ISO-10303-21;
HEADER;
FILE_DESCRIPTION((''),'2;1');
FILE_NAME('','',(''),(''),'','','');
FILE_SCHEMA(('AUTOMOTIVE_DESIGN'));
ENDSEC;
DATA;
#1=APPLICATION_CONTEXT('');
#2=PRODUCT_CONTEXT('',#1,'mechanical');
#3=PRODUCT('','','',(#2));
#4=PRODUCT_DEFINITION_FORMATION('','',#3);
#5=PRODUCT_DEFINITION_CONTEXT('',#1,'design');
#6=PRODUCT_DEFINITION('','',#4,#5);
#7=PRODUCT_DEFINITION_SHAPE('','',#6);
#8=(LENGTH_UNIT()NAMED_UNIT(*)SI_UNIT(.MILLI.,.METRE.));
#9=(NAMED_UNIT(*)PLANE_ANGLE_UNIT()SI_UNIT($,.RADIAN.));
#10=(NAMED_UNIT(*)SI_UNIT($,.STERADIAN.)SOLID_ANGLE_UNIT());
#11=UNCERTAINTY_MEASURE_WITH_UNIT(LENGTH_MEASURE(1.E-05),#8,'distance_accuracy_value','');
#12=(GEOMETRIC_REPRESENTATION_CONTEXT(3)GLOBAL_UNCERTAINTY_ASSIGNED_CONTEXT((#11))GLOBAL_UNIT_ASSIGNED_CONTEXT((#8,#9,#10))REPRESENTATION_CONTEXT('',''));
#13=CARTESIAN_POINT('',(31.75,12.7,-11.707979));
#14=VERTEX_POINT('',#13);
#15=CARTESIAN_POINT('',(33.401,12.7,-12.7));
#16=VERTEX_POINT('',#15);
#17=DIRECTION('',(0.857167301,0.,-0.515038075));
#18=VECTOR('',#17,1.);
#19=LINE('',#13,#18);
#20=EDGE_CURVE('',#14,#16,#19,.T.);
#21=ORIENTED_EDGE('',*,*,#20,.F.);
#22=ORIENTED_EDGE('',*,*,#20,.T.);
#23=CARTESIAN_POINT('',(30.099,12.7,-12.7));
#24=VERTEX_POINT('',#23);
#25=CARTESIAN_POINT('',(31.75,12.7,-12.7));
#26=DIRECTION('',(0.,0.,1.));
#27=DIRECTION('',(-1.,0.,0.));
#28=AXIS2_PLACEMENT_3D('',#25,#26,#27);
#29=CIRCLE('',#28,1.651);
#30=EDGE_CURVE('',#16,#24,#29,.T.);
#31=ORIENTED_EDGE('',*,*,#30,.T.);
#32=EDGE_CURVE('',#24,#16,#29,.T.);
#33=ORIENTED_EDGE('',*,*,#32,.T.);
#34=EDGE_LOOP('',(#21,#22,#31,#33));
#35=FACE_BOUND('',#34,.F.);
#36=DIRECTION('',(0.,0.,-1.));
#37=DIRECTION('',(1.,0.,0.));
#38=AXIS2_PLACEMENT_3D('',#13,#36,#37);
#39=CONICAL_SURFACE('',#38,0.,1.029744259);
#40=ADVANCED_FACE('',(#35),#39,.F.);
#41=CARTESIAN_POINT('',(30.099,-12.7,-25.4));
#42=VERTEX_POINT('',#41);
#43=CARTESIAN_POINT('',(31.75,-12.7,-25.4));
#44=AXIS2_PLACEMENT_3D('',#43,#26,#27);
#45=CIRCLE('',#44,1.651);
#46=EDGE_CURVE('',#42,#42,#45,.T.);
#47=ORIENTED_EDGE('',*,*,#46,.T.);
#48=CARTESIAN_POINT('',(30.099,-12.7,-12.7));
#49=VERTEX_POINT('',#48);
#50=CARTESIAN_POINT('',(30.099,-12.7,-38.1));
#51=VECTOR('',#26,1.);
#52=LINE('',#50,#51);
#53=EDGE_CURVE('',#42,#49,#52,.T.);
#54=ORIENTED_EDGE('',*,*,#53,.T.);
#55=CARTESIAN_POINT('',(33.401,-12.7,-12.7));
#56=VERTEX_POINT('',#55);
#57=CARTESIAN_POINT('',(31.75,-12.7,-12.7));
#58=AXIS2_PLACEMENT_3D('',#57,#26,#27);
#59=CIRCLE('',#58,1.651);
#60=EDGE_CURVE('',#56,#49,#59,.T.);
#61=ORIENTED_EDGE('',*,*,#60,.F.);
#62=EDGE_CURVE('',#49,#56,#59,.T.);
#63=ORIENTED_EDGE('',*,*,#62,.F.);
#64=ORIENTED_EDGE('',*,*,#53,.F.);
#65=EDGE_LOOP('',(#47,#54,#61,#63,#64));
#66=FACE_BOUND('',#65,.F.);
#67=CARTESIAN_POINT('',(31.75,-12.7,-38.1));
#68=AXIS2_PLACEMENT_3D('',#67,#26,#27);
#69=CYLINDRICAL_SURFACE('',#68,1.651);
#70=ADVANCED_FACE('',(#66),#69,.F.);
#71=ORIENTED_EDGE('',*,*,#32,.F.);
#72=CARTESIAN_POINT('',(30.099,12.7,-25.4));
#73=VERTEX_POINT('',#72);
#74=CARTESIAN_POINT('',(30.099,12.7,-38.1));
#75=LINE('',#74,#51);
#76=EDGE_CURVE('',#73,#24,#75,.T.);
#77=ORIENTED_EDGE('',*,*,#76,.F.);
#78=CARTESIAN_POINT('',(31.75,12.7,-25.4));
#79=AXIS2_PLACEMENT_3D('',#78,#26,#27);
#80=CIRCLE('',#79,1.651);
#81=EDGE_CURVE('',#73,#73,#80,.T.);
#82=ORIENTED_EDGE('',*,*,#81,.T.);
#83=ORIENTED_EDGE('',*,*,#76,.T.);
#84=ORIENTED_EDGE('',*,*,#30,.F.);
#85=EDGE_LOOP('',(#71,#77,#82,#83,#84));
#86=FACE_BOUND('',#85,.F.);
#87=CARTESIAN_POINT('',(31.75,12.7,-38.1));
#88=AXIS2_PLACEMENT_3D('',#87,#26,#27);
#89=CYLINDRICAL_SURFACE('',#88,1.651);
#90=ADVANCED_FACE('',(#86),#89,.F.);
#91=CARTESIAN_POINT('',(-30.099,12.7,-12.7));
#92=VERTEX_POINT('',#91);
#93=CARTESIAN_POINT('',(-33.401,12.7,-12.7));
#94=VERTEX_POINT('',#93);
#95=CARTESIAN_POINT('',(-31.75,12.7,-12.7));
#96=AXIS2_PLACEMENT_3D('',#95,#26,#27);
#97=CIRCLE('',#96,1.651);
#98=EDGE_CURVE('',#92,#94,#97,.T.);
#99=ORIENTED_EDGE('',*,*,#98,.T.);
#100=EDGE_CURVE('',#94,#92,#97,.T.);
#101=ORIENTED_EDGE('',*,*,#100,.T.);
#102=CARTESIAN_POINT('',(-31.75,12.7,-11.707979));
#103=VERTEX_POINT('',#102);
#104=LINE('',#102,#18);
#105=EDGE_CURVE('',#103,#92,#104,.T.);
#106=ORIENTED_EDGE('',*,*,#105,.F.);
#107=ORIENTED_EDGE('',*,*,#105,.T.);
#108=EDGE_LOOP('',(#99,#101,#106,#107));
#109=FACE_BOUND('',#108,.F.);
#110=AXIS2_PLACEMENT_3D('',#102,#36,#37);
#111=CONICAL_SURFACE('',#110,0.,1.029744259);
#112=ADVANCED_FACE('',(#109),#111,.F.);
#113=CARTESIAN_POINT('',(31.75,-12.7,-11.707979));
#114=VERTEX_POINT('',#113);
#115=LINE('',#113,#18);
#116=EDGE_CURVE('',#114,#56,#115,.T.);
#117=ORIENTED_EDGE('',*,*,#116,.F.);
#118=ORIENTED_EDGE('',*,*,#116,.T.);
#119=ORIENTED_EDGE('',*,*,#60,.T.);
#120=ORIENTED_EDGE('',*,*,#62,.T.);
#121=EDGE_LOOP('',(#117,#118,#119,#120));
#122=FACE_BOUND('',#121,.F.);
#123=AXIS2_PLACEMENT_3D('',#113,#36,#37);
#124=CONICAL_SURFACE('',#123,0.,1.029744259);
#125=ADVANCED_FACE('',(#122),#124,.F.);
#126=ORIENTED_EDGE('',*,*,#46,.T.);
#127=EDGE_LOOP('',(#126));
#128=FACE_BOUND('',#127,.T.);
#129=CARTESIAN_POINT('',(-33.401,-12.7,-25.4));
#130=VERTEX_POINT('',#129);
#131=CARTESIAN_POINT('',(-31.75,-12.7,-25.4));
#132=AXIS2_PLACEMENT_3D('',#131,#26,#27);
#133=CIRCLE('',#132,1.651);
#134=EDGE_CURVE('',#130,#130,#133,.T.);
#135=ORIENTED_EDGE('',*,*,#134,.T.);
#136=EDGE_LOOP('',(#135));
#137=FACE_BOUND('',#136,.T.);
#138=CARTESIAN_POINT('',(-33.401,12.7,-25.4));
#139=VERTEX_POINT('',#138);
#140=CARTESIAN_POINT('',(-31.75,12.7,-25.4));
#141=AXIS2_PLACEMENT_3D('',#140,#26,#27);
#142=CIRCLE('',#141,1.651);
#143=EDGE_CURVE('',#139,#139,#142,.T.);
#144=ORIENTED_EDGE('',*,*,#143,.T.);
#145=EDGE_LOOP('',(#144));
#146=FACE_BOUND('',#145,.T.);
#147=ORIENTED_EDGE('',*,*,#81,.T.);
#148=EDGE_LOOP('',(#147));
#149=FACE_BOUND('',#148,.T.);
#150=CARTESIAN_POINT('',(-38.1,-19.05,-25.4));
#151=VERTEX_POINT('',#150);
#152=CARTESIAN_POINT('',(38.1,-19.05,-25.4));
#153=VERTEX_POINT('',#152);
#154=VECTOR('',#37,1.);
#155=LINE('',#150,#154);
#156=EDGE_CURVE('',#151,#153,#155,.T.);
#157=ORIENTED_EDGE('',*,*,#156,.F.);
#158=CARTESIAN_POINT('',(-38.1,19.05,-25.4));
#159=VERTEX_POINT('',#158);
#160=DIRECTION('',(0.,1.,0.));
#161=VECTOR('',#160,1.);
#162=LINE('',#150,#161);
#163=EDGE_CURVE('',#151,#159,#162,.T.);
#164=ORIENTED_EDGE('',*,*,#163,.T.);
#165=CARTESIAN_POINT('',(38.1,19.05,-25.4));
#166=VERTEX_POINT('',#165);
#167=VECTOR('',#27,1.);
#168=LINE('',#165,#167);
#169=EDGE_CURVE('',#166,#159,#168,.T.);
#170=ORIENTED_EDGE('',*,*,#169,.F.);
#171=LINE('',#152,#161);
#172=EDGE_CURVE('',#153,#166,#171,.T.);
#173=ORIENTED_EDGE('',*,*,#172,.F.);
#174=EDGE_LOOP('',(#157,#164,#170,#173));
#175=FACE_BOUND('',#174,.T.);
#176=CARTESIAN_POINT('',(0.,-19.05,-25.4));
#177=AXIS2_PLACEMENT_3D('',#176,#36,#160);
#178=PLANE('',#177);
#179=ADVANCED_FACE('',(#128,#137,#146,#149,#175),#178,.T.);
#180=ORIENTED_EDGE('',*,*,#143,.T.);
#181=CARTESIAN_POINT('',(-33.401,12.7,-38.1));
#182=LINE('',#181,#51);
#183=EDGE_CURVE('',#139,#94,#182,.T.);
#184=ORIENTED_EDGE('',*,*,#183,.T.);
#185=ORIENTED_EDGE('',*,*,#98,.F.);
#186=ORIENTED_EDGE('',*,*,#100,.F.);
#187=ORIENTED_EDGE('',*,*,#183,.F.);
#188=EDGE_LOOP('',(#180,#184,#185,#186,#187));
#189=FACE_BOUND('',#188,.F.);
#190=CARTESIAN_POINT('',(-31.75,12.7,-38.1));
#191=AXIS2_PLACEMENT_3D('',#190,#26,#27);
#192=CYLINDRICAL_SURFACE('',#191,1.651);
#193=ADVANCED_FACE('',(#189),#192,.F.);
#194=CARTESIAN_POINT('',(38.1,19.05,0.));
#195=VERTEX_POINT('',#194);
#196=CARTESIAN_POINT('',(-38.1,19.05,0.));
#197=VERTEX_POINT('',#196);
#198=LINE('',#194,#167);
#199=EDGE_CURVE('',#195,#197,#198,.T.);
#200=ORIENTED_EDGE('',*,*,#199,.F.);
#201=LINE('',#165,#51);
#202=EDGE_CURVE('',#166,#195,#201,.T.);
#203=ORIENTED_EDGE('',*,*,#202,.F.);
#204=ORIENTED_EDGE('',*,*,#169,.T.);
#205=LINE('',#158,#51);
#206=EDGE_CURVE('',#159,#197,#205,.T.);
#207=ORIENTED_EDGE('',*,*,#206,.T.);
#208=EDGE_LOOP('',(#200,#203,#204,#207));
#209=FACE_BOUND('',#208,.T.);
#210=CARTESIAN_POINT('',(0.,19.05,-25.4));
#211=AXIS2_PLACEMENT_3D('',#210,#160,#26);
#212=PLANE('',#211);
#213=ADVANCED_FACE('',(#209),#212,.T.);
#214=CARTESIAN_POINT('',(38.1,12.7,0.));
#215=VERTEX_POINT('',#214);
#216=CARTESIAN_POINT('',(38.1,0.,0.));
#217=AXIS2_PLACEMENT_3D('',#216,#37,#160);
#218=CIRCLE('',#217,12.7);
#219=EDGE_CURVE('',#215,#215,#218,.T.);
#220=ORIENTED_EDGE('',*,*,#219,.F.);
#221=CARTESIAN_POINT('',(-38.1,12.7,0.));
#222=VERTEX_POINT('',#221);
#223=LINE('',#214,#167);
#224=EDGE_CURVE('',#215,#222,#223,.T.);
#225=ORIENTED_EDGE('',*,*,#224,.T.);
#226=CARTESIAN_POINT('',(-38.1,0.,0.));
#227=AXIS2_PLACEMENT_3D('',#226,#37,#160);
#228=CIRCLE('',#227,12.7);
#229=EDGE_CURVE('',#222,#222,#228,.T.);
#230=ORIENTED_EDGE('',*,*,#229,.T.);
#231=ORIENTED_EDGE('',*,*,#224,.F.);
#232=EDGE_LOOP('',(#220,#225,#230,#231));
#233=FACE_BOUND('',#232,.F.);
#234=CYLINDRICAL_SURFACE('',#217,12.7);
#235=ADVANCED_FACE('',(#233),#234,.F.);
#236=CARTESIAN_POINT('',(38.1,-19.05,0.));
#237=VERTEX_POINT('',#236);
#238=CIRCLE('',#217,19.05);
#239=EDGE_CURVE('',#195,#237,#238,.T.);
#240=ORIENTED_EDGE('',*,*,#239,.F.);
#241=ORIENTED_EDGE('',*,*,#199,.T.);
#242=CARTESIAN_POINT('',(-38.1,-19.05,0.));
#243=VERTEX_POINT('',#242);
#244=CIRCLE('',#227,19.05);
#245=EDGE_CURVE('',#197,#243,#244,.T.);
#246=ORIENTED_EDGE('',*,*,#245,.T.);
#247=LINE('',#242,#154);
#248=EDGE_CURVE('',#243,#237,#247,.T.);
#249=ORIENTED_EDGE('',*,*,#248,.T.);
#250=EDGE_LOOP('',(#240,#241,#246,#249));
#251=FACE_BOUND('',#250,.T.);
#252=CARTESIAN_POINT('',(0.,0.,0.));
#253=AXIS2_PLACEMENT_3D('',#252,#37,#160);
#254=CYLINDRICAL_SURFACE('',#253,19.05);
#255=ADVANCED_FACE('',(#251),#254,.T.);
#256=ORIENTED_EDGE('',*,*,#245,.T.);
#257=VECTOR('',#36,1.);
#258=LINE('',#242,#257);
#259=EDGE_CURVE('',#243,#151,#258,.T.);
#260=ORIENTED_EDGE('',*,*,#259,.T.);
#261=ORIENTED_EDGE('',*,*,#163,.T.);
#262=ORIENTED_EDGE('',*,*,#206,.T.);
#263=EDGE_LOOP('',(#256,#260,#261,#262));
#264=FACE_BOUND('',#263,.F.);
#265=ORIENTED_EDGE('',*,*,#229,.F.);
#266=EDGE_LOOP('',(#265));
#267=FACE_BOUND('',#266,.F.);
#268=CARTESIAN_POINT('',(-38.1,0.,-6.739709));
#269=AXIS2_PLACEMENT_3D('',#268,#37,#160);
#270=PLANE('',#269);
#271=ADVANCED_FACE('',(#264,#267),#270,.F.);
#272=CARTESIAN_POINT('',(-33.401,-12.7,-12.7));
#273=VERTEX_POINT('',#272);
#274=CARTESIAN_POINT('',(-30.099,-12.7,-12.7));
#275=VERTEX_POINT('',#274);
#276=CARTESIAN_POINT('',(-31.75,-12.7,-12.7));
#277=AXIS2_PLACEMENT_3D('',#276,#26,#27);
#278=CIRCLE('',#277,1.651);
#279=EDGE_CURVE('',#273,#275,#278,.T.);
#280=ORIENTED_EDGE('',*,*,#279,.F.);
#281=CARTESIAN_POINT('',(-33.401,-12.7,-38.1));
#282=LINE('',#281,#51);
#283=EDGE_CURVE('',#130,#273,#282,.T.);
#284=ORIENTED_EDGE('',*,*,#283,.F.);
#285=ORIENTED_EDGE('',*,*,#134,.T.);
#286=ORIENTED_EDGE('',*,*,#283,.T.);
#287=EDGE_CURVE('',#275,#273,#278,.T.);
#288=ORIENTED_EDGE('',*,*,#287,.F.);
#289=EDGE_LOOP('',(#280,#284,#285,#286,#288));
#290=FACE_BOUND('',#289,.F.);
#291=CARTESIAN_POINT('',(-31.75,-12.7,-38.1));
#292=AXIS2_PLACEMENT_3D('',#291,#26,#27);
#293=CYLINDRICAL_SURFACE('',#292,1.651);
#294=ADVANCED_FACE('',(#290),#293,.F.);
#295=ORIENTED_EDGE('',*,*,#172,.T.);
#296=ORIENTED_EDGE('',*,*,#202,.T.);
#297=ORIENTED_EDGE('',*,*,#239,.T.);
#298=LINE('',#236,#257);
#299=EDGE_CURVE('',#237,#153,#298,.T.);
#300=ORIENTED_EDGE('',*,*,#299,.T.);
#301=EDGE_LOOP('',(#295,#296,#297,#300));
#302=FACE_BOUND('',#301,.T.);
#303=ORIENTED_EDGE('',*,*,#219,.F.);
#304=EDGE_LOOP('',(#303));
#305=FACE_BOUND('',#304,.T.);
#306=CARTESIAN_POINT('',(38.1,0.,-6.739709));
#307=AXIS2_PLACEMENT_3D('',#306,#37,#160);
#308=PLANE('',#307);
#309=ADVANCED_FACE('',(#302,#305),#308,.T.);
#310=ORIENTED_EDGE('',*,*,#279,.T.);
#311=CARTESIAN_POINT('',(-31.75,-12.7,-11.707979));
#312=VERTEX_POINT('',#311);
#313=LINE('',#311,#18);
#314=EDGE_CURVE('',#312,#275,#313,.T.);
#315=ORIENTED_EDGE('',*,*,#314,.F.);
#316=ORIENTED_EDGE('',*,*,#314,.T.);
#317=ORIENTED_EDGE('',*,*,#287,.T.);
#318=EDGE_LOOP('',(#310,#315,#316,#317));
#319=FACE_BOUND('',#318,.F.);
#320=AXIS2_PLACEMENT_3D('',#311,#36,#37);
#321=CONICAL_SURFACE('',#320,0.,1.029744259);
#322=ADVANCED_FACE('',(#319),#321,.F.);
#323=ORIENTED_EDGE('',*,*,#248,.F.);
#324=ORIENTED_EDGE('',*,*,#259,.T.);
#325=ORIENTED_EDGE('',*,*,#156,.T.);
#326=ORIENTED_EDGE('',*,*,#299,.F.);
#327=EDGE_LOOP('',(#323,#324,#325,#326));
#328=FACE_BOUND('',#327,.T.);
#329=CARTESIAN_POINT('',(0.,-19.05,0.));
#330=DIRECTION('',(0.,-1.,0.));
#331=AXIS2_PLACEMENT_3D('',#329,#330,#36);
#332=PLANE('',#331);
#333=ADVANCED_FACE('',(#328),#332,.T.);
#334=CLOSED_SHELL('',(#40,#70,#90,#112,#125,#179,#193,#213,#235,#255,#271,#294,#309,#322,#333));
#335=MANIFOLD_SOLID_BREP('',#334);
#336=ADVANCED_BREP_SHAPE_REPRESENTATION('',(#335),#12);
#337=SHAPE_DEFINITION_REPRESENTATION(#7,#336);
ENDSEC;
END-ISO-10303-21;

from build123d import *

# Parameters (mm, degrees)
F1_DEPTH = 38.1
F2_R     = 12.7
F3_DEPTH = 76.201
F5_D     = 3.302
F5_DEPTH = 12.7
F5_TIP   = 0.992020882


with BuildPart() as f1:
    # F0 (on Right) → F1 (new body, symmetric)
    with BuildSketch(Plane.YZ):
        with BuildLine():
            ThreePointArc((19.05, 0), (0, 19.05), (-19.05, 0))
            Line((-19.05, 0), (-19.05, -25.4))
            Line((-19.05, -25.4), (19.05, -25.4))
            Line((19.05, -25.4), (19.05, 0))
        make_face()
    extrude(amount=F1_DEPTH, both=True)

    # F2 (on face) → F3 (cut, through all)
    with BuildSketch(Plane.YZ.offset(38.1)):
        Circle(F2_R)
    extrude(amount=-F3_DEPTH, mode=Mode.SUBTRACT)

    # F5
    with Locations(Plane(origin=(0, 0, -25.4), x_dir=(1, 0, 0), z_dir=(0, 0, -1))):
        with Locations((-31.75, 12.7), (-31.75, -12.7), (31.75, -12.7), (31.75, 12.7)):
            Hole(F5_D / 2, depth=F5_DEPTH)
            with Locations((0, 0, -(F5_DEPTH + F5_TIP / 2))):  # 118° drill point
                Cone(0, F5_D / 2, F5_TIP, mode=Mode.SUBTRACT)


solid = f1.part
